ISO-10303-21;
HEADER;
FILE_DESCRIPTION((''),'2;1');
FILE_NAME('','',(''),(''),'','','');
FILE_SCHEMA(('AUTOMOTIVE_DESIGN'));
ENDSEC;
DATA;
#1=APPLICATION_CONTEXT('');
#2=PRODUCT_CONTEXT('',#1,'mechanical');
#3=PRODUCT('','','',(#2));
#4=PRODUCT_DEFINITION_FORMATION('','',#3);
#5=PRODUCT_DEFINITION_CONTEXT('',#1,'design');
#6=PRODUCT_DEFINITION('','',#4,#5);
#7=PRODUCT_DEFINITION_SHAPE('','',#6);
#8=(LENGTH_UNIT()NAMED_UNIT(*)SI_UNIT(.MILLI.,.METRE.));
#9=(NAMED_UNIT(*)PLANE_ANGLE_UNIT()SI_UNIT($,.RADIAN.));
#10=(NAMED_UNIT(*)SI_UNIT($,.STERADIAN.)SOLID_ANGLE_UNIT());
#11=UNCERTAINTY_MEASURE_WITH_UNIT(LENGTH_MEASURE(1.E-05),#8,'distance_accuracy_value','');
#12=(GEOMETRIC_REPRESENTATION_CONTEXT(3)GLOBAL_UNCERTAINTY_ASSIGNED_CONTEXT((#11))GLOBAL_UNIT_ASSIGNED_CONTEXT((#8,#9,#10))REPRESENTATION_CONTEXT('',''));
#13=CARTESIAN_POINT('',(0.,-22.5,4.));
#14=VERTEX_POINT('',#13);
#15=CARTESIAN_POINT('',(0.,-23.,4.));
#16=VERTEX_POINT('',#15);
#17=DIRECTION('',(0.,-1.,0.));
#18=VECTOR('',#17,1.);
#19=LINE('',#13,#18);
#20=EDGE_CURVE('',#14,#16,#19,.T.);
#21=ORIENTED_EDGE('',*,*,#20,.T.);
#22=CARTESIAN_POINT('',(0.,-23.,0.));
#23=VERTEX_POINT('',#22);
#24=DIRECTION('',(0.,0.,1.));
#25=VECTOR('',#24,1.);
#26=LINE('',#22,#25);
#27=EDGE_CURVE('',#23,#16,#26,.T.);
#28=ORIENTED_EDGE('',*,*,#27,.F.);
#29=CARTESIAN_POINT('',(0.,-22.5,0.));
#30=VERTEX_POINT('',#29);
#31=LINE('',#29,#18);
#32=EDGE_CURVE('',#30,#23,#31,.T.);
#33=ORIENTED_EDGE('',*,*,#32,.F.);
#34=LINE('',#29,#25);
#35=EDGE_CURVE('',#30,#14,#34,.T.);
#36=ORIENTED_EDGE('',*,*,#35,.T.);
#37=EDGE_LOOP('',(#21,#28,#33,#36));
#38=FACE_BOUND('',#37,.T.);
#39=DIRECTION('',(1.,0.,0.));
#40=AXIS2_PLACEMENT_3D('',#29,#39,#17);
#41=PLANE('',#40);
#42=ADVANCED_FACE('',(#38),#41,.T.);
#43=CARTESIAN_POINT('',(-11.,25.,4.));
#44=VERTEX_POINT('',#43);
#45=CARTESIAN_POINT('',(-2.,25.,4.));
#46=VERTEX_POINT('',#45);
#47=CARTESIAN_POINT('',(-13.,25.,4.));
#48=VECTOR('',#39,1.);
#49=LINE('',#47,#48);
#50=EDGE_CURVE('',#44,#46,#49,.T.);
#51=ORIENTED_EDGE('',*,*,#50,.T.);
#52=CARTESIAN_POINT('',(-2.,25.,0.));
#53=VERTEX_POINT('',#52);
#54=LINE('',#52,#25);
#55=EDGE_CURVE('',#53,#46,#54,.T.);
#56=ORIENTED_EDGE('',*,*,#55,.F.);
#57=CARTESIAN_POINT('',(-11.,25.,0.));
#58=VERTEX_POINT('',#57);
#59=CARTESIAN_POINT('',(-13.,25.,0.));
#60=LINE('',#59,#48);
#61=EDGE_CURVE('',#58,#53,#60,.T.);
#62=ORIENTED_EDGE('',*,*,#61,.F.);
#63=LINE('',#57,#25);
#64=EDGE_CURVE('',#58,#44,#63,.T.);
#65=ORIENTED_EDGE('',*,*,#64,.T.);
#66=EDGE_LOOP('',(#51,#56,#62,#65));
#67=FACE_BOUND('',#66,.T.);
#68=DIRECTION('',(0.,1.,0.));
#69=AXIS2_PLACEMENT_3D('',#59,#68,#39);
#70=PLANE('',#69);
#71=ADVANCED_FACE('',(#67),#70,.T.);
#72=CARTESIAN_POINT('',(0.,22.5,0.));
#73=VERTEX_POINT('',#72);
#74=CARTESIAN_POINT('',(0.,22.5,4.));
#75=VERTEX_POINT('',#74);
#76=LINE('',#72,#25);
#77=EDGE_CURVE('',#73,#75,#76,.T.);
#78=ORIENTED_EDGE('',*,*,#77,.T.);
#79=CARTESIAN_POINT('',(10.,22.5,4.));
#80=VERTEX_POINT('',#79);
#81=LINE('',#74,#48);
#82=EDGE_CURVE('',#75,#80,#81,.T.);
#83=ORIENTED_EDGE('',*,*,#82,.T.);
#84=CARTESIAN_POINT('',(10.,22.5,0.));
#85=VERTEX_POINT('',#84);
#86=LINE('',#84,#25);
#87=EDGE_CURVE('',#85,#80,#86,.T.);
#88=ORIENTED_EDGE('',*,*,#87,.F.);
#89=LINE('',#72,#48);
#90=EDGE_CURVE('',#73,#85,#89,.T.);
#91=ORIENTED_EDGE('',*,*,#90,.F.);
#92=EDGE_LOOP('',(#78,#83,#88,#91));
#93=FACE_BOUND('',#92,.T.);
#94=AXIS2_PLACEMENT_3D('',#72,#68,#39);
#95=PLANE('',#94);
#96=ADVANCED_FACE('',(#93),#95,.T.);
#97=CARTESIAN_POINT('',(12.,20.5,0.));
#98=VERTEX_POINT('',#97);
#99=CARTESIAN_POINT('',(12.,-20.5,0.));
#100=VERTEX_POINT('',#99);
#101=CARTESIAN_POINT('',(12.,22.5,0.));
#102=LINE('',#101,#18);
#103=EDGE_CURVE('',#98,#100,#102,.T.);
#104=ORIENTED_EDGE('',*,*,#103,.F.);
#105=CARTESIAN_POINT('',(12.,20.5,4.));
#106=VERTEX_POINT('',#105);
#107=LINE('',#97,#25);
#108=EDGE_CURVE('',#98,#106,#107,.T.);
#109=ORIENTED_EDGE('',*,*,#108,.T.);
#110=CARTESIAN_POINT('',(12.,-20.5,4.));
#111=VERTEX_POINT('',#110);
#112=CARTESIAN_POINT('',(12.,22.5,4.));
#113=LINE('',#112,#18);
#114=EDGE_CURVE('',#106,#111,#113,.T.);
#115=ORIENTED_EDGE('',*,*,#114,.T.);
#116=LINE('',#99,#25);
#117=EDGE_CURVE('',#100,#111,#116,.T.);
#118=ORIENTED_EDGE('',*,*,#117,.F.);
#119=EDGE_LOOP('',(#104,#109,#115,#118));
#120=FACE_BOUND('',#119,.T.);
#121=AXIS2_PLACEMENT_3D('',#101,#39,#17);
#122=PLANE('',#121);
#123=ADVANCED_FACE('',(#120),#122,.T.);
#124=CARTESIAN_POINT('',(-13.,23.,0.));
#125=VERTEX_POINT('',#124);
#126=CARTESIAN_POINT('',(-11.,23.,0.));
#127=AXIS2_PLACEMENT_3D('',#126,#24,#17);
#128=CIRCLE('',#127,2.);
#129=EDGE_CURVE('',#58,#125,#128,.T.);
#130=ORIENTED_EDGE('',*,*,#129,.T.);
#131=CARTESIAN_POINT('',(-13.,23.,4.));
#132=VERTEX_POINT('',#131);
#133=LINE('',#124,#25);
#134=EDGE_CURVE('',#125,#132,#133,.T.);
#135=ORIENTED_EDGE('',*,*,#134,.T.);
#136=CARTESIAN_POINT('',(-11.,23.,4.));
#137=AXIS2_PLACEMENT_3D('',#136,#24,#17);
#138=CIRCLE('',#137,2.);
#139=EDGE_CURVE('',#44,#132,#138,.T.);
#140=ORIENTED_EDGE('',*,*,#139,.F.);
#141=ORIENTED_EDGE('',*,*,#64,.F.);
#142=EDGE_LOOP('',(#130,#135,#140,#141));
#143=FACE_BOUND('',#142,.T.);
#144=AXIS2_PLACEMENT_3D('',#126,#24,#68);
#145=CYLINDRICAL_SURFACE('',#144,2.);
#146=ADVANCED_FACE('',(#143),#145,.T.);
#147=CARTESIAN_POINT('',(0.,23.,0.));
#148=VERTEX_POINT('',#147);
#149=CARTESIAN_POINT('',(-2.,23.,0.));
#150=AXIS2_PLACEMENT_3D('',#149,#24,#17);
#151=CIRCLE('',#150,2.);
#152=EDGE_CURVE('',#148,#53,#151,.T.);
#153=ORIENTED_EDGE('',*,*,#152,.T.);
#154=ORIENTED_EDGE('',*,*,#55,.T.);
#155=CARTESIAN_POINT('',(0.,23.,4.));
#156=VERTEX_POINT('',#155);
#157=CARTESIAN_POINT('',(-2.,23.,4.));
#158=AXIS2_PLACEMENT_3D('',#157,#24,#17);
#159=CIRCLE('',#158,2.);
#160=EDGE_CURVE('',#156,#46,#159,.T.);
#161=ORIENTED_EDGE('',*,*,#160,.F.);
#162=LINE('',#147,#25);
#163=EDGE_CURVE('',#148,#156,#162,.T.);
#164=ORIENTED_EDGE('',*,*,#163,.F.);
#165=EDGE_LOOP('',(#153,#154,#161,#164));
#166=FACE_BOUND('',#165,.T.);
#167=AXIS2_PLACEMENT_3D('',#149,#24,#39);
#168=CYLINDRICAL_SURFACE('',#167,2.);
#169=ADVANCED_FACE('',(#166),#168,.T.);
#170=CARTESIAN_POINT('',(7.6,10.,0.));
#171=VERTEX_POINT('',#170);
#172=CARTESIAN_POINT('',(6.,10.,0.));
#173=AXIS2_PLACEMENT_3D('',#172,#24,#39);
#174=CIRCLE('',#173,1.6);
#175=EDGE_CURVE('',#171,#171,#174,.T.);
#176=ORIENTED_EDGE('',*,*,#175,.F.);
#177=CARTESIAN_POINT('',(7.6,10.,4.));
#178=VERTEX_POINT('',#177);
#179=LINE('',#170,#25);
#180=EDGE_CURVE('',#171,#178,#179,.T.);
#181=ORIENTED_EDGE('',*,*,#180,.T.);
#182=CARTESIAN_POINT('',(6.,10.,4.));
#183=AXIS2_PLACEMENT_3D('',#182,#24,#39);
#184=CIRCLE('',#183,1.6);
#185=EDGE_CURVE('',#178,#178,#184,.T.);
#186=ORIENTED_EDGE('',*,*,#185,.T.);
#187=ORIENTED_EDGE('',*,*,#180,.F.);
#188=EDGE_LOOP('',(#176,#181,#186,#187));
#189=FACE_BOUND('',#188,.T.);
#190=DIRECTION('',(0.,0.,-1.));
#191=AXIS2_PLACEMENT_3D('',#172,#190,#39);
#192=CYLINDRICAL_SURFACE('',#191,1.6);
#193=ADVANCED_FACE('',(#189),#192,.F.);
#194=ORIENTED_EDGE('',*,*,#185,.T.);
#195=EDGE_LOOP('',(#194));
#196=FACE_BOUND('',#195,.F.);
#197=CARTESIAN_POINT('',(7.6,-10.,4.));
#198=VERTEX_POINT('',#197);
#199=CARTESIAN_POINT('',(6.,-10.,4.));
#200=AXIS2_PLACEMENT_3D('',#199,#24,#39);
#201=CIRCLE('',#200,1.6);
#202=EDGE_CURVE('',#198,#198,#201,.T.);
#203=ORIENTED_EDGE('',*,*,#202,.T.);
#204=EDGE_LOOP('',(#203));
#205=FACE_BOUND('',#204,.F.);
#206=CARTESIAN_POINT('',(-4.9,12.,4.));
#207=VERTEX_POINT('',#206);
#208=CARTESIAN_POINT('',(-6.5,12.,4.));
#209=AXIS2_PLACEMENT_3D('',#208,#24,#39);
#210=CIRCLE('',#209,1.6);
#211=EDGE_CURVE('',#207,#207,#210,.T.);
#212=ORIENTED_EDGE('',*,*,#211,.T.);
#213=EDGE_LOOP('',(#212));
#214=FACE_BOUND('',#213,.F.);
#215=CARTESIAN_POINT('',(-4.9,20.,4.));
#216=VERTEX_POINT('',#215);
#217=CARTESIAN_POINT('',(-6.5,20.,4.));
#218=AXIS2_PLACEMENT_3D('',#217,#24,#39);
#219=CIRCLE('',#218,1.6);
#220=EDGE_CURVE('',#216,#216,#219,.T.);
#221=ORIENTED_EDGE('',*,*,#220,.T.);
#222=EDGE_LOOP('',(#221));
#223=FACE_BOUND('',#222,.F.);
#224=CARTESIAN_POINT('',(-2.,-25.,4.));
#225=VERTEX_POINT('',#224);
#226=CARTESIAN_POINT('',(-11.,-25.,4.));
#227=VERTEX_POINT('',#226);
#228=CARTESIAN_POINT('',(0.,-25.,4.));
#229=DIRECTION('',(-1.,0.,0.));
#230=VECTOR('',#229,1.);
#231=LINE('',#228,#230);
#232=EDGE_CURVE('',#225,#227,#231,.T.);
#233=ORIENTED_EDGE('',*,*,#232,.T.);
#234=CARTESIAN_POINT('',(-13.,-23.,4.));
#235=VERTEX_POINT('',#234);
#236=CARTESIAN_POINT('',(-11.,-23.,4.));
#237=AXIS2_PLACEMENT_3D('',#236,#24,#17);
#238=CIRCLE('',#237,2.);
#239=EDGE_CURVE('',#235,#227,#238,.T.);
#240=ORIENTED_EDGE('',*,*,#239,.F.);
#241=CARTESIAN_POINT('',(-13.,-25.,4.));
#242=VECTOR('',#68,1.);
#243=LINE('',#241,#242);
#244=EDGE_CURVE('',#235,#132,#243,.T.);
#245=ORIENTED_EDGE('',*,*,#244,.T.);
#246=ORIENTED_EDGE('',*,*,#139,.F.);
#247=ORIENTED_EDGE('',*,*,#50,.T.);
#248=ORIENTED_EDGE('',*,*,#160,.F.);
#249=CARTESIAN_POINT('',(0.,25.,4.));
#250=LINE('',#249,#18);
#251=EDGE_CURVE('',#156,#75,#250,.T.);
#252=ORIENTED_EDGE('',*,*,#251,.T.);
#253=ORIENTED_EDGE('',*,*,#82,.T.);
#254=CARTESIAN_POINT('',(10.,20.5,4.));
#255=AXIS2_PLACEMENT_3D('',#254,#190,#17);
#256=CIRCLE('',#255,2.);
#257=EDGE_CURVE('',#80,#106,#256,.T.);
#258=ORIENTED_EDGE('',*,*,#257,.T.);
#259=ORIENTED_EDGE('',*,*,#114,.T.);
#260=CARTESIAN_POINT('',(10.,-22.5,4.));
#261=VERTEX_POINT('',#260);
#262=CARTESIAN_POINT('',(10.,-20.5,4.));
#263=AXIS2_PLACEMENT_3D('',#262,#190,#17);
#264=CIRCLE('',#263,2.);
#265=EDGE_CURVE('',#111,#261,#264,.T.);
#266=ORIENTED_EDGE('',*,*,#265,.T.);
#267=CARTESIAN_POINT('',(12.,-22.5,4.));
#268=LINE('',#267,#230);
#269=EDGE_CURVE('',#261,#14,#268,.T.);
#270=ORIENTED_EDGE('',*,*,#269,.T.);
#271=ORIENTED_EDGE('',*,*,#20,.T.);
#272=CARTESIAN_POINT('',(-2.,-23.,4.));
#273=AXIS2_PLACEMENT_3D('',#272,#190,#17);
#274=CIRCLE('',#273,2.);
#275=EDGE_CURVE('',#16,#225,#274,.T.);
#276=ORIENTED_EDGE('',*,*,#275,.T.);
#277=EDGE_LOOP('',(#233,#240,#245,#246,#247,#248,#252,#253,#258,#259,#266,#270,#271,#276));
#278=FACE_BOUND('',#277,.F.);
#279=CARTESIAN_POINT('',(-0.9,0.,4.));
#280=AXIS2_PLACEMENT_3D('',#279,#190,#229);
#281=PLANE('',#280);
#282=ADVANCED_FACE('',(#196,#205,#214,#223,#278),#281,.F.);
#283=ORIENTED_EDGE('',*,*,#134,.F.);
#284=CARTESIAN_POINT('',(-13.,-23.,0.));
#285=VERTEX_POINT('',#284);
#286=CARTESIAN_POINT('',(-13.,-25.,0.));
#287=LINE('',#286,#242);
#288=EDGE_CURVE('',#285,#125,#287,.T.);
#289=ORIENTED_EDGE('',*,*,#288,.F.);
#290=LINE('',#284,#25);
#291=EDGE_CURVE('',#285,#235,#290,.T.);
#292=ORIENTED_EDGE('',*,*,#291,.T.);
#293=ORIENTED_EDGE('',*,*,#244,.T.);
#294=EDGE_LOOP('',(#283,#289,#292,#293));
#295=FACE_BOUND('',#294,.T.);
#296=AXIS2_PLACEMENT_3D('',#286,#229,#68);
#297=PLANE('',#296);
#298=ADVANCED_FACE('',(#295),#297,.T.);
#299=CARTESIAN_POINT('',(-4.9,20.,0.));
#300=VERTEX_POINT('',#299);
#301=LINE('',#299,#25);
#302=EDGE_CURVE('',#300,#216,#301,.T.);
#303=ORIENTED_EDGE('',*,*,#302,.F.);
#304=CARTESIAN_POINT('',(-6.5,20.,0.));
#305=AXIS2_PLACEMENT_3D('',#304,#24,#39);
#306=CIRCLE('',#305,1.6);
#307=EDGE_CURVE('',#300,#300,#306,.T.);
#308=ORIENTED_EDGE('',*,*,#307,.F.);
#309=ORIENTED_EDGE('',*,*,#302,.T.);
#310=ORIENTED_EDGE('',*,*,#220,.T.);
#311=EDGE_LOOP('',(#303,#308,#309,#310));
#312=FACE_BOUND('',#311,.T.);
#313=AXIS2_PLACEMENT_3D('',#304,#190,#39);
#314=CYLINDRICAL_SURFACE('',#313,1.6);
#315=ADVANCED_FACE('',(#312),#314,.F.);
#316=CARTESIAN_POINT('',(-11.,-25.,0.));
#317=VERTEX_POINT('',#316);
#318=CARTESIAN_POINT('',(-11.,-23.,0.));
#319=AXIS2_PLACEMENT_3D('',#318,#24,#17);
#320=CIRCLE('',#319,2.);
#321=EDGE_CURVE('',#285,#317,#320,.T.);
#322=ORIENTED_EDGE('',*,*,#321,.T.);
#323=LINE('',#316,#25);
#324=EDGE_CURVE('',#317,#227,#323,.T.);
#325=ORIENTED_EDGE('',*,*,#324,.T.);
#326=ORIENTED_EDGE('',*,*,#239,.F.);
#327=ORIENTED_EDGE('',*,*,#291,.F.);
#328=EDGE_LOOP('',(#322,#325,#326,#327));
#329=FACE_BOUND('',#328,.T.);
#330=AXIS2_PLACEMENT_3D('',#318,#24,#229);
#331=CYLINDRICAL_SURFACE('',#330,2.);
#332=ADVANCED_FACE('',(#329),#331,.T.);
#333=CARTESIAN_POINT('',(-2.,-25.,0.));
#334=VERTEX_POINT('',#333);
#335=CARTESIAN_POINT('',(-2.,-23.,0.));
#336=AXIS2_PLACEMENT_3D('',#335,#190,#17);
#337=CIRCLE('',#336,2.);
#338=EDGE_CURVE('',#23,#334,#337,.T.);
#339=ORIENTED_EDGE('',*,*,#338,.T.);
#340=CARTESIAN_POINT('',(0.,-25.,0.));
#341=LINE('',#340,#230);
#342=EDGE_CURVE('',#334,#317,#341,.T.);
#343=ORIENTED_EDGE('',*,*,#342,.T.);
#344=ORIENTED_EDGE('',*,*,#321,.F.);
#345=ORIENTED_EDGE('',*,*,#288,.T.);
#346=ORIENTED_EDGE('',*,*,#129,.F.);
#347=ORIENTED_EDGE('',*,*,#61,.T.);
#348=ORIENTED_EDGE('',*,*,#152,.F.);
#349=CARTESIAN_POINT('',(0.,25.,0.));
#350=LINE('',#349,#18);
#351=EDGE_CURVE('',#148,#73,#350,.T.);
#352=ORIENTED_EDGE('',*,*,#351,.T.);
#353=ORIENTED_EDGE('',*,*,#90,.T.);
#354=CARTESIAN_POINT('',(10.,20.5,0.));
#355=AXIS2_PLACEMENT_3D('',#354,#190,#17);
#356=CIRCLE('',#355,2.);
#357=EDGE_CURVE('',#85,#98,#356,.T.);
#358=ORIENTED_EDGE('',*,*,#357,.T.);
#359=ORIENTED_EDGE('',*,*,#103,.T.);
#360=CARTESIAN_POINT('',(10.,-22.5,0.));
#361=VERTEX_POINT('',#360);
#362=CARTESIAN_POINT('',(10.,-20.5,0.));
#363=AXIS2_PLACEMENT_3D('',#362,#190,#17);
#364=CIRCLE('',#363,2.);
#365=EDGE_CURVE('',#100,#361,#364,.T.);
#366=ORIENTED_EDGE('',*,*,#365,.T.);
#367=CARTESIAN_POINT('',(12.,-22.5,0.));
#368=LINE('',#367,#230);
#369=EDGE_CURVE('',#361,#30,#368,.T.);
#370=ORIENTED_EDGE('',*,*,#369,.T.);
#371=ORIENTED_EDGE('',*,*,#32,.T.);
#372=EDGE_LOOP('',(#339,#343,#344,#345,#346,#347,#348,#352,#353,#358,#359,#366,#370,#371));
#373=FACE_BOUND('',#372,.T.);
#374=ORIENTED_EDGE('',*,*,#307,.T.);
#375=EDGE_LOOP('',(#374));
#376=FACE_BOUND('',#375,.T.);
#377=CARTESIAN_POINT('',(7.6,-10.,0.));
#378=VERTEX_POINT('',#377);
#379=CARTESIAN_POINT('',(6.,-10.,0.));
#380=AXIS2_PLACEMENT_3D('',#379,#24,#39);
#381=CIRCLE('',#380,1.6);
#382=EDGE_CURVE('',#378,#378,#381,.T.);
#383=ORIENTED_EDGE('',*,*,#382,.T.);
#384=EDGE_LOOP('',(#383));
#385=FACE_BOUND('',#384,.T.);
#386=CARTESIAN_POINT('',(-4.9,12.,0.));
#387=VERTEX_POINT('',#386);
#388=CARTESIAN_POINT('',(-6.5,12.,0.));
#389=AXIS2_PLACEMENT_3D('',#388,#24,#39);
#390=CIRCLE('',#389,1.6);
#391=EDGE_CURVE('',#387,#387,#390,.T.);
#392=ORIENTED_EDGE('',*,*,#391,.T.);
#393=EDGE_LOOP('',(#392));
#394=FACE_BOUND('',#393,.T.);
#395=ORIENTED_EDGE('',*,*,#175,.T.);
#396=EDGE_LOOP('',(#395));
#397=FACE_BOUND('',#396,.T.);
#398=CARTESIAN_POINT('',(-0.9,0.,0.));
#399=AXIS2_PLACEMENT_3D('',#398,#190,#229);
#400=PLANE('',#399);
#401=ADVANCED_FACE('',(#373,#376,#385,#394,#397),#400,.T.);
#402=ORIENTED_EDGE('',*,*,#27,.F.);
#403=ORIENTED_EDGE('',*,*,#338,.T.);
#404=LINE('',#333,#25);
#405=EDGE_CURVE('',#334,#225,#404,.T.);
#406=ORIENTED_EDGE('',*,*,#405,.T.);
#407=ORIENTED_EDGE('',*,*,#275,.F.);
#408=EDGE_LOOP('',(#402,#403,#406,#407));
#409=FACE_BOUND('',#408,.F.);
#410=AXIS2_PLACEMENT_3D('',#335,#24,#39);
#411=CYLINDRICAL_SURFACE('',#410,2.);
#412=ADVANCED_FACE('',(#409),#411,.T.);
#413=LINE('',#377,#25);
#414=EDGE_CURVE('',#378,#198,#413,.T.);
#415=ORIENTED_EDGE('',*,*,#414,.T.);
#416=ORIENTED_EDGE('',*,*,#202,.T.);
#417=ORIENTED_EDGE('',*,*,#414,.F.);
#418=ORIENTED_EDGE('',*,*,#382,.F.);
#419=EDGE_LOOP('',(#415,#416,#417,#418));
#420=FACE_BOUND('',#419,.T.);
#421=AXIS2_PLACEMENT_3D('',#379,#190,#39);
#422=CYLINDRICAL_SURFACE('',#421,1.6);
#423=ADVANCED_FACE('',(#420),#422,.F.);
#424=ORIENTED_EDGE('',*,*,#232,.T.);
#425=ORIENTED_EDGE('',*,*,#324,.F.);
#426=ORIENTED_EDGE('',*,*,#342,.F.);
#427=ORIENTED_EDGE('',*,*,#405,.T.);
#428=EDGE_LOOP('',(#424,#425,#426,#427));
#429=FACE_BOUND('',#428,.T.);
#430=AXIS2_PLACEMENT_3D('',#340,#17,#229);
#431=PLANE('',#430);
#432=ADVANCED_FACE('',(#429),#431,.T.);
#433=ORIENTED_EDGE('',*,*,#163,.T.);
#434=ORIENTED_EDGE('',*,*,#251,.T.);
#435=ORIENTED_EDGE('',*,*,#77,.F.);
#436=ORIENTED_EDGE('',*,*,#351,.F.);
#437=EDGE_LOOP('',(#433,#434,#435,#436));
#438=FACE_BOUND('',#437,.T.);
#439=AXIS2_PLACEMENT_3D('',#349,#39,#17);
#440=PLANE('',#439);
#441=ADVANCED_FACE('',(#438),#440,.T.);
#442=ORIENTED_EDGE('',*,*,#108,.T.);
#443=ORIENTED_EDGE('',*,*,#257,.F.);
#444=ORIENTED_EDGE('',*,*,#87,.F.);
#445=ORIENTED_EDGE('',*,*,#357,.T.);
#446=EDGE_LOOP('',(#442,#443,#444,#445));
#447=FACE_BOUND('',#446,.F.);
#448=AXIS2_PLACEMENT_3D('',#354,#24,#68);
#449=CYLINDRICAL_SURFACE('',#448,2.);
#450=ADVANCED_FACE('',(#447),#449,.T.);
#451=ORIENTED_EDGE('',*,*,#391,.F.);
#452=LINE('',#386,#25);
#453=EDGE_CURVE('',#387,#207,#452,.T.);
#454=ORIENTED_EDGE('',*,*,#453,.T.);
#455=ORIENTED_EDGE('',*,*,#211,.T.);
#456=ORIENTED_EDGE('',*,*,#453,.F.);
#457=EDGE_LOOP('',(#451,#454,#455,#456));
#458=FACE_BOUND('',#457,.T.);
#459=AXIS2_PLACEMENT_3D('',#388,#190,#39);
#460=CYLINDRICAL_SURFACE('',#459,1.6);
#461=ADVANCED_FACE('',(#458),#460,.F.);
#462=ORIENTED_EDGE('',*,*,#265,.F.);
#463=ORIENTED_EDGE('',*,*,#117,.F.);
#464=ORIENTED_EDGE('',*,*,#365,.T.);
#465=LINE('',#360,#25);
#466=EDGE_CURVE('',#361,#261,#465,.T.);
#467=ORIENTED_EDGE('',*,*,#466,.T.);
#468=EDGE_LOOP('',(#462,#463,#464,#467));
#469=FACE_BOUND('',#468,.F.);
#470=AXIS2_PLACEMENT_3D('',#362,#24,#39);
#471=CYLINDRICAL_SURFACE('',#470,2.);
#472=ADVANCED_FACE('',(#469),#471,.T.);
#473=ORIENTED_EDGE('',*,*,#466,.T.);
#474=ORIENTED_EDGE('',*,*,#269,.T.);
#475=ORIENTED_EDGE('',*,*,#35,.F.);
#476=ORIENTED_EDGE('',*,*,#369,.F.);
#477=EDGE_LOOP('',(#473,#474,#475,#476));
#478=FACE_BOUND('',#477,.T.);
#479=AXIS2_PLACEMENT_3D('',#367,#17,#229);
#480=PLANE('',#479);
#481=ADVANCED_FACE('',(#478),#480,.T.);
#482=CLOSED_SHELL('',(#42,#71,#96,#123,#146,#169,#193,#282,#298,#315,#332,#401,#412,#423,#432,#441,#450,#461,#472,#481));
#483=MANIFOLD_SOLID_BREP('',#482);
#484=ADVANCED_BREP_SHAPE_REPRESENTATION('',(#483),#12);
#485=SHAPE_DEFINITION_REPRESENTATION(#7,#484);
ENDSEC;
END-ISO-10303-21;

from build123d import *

# Parameters (mm, degrees)
SKETCH_R  = 1.6
PAD_DEPTH = 4
FILLET_R  = 2


with BuildPart() as part:
    # Sketch → Pad (new body)
    with BuildSketch(Plane.XY):
        Polygon((0, 22.5), (12, 22.5), (12, -22.5), (0, -22.5), (0, -25), (-13, -25), (-13, 25), (0, 25), align=None)
        with Locations((6, 10)):
            Circle(SKETCH_R, mode=Mode.SUBTRACT)
        with Locations((6, -10)):
            Circle(SKETCH_R, mode=Mode.SUBTRACT)
        with Locations((-6.5, 20)):
            Circle(SKETCH_R, mode=Mode.SUBTRACT)
        with Locations((-6.5, 12)):
            Circle(SKETCH_R, mode=Mode.SUBTRACT)
    extrude(amount=PAD_DEPTH)

    # Fillet
    fillet_edges = [part.edges().sort_by_distance(p)[0] for p in [
        (12, 22.5, 2),
        (0, 25, 2),
        (-13, 25, 2),
        (-13, -25, 2),
        (0, -25, 2),
        (12, -22.5, 2),
    ]]
    fillet(fillet_edges, radius=FILLET_R)


solid = part.part
